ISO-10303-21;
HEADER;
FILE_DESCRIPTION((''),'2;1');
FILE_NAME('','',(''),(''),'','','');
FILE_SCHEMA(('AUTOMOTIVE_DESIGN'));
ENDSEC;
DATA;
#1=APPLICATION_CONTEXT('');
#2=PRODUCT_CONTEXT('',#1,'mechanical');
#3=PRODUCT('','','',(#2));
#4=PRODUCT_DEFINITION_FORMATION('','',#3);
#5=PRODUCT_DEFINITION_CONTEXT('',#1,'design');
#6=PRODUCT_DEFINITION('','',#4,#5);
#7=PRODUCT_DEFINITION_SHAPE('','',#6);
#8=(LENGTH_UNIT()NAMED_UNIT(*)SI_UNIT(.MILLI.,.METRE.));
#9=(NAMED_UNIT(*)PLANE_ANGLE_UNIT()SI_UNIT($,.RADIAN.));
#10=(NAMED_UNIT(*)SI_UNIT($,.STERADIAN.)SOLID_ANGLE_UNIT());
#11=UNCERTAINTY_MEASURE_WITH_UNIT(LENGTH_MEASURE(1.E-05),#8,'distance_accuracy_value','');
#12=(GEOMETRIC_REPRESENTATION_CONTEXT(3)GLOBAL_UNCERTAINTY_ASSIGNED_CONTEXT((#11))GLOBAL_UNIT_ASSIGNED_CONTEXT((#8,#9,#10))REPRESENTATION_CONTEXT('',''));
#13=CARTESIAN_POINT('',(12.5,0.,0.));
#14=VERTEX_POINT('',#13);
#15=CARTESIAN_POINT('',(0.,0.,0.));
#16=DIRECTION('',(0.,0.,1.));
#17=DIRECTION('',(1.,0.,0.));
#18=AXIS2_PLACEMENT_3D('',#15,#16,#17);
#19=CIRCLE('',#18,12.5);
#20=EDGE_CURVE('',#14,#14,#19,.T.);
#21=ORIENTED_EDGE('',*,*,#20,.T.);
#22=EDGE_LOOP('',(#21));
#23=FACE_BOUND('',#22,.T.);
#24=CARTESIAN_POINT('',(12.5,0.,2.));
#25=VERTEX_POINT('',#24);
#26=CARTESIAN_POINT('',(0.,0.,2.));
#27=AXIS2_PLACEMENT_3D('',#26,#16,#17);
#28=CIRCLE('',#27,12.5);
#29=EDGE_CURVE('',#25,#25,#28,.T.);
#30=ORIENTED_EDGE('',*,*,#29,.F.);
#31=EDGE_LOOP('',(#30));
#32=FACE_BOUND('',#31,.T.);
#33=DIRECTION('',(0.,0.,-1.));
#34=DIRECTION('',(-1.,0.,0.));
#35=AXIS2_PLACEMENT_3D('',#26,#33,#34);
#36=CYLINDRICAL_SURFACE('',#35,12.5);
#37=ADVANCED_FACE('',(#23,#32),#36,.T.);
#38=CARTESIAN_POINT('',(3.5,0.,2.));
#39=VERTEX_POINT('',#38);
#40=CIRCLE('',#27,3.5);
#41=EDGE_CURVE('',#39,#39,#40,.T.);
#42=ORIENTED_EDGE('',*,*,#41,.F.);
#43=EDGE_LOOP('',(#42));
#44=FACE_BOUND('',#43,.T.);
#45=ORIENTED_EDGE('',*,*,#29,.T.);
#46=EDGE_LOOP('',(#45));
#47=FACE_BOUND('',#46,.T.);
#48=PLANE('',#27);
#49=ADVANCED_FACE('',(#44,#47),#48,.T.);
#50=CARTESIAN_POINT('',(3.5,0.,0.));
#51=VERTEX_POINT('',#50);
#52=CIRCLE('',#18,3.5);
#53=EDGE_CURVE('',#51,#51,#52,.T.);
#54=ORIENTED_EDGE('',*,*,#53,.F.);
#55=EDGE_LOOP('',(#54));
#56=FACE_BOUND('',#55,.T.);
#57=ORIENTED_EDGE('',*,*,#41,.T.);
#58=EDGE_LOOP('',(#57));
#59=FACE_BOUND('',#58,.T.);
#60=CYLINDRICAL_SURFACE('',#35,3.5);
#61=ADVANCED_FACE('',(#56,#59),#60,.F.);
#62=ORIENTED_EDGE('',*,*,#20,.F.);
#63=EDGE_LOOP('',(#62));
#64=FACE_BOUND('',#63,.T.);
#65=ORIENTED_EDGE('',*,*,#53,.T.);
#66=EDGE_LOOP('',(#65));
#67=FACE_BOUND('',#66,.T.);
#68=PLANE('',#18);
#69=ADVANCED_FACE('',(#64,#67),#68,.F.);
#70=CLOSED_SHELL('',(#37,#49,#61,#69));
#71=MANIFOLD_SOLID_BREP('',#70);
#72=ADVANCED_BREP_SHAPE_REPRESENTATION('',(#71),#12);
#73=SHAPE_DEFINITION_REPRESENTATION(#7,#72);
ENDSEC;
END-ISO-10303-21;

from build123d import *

# Parameters (mm, degrees)
ESQUISSE1_R          = 12.5
ESQUISSE1_R_2        = 3.5
BASE_EXTRUSION_DEPTH = 2


with BuildPart() as part:
    # Esquisse1 → Base-Extrusion (new body)
    with BuildSketch(Plane.XY):
        Circle(ESQUISSE1_R)
        Circle(ESQUISSE1_R_2, mode=Mode.SUBTRACT)
    extrude(amount=BASE_EXTRUSION_DEPTH)


solid = part.part
